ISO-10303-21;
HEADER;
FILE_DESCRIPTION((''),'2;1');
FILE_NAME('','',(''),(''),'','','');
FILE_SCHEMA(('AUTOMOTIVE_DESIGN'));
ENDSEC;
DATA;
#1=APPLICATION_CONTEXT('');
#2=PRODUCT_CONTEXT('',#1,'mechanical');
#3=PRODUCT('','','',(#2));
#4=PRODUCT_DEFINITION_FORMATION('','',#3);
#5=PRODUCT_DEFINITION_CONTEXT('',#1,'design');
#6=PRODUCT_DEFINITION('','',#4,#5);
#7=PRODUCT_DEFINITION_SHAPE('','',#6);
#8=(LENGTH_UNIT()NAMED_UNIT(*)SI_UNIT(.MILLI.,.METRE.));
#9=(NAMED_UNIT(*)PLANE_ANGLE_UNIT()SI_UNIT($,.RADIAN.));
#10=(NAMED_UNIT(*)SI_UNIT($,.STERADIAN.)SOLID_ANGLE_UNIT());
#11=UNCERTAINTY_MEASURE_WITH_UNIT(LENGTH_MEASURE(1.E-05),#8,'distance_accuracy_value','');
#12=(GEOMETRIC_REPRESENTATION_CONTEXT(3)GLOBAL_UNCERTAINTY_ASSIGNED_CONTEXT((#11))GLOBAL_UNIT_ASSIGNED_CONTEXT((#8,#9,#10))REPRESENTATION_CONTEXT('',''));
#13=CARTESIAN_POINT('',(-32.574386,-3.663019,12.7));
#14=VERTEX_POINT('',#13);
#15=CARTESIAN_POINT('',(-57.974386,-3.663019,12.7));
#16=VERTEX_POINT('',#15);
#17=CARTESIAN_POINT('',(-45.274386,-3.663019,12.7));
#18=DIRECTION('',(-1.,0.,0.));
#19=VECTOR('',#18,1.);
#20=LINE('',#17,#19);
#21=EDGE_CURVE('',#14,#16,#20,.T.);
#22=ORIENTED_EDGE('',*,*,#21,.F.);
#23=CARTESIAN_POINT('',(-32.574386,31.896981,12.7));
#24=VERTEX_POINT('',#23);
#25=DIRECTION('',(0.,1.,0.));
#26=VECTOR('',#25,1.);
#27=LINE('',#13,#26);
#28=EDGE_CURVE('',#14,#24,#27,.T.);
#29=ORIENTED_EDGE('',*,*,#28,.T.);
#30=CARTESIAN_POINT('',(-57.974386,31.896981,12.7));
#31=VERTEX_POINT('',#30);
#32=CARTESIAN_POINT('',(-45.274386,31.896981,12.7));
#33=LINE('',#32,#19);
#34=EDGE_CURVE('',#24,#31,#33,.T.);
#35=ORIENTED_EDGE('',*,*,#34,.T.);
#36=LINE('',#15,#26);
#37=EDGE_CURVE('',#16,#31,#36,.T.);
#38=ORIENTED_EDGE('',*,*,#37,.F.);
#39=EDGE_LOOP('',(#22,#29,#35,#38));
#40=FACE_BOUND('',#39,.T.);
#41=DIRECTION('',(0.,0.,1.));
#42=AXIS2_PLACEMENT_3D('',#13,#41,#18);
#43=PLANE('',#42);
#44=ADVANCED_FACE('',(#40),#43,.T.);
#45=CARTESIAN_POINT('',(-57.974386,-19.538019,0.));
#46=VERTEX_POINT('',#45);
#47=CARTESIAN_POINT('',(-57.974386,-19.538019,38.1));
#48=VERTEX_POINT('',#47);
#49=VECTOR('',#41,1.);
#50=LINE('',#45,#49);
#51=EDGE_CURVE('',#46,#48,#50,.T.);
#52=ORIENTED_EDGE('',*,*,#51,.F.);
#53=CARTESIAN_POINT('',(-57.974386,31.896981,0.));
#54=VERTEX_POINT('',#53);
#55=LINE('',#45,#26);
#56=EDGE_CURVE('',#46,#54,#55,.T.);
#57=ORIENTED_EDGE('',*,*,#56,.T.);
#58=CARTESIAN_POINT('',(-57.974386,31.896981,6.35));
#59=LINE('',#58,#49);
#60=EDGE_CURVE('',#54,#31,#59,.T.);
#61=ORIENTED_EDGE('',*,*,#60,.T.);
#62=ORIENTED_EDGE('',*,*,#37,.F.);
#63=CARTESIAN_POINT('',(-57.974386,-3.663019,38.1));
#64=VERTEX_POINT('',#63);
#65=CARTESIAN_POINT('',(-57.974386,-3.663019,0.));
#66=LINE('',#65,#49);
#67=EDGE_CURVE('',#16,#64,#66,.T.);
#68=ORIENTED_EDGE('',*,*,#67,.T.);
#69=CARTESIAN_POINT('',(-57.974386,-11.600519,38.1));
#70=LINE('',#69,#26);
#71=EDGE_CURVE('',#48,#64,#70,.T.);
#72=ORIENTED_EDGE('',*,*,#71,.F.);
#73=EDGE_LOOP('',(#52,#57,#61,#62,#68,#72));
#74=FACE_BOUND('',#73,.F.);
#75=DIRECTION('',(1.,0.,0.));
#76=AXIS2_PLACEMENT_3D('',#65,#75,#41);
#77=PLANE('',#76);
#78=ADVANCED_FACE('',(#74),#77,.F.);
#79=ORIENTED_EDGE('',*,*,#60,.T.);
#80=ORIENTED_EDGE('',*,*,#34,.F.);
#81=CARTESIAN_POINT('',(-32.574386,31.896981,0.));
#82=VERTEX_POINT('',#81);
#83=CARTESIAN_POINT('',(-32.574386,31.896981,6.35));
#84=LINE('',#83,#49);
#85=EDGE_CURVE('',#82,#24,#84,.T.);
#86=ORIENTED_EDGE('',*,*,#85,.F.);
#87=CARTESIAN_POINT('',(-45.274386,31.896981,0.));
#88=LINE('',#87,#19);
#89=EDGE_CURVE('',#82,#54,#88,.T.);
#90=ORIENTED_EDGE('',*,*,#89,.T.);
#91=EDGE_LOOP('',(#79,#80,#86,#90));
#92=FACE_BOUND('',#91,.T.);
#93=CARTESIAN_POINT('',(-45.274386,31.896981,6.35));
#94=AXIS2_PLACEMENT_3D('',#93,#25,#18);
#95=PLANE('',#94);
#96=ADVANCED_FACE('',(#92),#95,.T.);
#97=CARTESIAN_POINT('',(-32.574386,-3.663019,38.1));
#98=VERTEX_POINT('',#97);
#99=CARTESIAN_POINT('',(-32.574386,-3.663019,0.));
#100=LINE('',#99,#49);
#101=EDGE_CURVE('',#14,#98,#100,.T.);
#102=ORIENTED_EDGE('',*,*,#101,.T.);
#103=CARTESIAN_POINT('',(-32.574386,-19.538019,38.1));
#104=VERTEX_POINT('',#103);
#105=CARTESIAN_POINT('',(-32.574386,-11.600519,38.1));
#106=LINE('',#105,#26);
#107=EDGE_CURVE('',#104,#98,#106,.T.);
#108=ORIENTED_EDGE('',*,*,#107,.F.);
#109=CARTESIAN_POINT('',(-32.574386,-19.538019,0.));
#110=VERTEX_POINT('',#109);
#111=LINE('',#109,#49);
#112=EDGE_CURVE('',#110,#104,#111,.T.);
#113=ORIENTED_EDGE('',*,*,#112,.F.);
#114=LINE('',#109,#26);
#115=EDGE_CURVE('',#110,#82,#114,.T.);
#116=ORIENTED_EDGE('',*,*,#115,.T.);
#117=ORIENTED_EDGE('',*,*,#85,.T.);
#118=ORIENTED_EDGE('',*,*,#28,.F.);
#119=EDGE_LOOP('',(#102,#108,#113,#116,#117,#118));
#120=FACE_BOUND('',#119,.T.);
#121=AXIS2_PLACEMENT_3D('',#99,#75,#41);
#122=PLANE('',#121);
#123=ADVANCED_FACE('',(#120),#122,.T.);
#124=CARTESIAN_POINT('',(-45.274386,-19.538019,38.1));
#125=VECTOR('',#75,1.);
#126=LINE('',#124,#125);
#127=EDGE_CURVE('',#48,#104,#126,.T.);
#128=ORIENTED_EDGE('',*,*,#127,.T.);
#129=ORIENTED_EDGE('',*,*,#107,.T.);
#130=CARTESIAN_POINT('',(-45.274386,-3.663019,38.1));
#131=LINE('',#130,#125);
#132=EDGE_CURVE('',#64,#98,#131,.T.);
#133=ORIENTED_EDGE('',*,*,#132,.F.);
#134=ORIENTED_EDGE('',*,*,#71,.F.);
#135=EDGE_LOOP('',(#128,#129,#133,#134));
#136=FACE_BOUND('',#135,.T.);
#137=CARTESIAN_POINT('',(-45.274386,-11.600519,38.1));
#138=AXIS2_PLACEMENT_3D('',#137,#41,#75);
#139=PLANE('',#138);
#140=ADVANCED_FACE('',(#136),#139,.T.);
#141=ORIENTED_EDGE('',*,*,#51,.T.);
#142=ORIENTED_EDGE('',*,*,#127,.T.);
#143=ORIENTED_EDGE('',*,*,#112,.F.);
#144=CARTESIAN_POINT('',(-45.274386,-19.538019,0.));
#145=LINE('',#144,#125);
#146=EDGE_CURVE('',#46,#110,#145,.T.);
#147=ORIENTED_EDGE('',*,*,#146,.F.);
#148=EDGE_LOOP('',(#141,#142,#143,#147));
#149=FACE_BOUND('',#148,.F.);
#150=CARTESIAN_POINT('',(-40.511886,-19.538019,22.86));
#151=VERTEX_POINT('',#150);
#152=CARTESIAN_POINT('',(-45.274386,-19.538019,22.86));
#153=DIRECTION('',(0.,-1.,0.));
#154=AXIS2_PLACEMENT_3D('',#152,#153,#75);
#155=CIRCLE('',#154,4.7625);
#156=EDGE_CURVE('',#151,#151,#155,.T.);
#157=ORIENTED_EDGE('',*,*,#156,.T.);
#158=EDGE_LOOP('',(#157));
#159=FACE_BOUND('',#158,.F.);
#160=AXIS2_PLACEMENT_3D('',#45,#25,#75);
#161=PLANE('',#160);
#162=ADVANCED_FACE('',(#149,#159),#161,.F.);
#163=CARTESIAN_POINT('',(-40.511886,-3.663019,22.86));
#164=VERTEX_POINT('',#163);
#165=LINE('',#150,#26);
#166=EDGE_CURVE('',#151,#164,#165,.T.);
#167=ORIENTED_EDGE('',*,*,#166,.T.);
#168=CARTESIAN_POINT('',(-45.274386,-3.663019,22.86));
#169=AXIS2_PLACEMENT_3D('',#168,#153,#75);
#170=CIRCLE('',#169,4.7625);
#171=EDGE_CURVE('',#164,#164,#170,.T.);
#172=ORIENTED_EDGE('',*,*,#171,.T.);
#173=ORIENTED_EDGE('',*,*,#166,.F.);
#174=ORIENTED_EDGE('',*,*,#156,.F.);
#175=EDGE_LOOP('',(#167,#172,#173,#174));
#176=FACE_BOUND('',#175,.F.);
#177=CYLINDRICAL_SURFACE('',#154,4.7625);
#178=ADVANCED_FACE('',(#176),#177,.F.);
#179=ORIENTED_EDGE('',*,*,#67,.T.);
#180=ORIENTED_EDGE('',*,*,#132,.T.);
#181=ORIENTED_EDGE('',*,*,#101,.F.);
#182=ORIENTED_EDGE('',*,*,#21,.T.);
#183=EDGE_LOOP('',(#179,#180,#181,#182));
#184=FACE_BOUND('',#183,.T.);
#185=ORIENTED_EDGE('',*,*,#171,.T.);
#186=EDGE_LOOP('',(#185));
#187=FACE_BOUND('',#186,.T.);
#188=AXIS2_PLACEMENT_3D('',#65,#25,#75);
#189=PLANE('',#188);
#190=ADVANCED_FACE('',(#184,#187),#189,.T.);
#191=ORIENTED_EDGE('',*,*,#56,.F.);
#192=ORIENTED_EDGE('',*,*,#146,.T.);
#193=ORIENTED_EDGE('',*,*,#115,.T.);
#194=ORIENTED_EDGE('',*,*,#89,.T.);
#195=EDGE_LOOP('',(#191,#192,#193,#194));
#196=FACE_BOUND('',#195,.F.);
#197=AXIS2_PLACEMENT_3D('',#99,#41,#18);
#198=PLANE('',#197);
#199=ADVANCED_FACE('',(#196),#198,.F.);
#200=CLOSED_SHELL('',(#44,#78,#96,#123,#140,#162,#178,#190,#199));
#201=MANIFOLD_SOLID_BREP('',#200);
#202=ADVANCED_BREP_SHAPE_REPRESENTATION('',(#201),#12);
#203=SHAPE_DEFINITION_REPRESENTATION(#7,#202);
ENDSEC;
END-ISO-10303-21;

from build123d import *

# Parameters (mm, degrees)
F0_W     = 25.4
F0_H     = 15.875
F1_DEPTH = 38.1
F2_R     = 4.7625
F3_DEPTH = 254000
F4_W     = 25.4
F4_H     = 12.7
F5_DEPTH = 35.56


with BuildPart() as f1:
    # F0 (on Top) → F1 (new body)
    with BuildSketch(Plane.XY):
        with Locations((-45.274386, -11.600519)):
            Rectangle(F0_W, F0_H)
    extrude(amount=F1_DEPTH)

    # F2 (on face) → F3 (cut)
    with BuildSketch(Plane.XZ.offset(19.538019)):
        with Locations((-45.274386, 22.86)):
            Circle(F2_R)
    extrude(amount=-F3_DEPTH, mode=Mode.SUBTRACT)

    # F4 (on face) → F5 (join)
    with BuildSketch(Plane(origin=(0, -3.663019, 0), x_dir=(-1, 0, 0), z_dir=(0, 1, 0))):
        with Locations((45.274386, 6.35)):
            Rectangle(F4_W, F4_H)
    extrude(amount=F5_DEPTH)


solid = f1.part
